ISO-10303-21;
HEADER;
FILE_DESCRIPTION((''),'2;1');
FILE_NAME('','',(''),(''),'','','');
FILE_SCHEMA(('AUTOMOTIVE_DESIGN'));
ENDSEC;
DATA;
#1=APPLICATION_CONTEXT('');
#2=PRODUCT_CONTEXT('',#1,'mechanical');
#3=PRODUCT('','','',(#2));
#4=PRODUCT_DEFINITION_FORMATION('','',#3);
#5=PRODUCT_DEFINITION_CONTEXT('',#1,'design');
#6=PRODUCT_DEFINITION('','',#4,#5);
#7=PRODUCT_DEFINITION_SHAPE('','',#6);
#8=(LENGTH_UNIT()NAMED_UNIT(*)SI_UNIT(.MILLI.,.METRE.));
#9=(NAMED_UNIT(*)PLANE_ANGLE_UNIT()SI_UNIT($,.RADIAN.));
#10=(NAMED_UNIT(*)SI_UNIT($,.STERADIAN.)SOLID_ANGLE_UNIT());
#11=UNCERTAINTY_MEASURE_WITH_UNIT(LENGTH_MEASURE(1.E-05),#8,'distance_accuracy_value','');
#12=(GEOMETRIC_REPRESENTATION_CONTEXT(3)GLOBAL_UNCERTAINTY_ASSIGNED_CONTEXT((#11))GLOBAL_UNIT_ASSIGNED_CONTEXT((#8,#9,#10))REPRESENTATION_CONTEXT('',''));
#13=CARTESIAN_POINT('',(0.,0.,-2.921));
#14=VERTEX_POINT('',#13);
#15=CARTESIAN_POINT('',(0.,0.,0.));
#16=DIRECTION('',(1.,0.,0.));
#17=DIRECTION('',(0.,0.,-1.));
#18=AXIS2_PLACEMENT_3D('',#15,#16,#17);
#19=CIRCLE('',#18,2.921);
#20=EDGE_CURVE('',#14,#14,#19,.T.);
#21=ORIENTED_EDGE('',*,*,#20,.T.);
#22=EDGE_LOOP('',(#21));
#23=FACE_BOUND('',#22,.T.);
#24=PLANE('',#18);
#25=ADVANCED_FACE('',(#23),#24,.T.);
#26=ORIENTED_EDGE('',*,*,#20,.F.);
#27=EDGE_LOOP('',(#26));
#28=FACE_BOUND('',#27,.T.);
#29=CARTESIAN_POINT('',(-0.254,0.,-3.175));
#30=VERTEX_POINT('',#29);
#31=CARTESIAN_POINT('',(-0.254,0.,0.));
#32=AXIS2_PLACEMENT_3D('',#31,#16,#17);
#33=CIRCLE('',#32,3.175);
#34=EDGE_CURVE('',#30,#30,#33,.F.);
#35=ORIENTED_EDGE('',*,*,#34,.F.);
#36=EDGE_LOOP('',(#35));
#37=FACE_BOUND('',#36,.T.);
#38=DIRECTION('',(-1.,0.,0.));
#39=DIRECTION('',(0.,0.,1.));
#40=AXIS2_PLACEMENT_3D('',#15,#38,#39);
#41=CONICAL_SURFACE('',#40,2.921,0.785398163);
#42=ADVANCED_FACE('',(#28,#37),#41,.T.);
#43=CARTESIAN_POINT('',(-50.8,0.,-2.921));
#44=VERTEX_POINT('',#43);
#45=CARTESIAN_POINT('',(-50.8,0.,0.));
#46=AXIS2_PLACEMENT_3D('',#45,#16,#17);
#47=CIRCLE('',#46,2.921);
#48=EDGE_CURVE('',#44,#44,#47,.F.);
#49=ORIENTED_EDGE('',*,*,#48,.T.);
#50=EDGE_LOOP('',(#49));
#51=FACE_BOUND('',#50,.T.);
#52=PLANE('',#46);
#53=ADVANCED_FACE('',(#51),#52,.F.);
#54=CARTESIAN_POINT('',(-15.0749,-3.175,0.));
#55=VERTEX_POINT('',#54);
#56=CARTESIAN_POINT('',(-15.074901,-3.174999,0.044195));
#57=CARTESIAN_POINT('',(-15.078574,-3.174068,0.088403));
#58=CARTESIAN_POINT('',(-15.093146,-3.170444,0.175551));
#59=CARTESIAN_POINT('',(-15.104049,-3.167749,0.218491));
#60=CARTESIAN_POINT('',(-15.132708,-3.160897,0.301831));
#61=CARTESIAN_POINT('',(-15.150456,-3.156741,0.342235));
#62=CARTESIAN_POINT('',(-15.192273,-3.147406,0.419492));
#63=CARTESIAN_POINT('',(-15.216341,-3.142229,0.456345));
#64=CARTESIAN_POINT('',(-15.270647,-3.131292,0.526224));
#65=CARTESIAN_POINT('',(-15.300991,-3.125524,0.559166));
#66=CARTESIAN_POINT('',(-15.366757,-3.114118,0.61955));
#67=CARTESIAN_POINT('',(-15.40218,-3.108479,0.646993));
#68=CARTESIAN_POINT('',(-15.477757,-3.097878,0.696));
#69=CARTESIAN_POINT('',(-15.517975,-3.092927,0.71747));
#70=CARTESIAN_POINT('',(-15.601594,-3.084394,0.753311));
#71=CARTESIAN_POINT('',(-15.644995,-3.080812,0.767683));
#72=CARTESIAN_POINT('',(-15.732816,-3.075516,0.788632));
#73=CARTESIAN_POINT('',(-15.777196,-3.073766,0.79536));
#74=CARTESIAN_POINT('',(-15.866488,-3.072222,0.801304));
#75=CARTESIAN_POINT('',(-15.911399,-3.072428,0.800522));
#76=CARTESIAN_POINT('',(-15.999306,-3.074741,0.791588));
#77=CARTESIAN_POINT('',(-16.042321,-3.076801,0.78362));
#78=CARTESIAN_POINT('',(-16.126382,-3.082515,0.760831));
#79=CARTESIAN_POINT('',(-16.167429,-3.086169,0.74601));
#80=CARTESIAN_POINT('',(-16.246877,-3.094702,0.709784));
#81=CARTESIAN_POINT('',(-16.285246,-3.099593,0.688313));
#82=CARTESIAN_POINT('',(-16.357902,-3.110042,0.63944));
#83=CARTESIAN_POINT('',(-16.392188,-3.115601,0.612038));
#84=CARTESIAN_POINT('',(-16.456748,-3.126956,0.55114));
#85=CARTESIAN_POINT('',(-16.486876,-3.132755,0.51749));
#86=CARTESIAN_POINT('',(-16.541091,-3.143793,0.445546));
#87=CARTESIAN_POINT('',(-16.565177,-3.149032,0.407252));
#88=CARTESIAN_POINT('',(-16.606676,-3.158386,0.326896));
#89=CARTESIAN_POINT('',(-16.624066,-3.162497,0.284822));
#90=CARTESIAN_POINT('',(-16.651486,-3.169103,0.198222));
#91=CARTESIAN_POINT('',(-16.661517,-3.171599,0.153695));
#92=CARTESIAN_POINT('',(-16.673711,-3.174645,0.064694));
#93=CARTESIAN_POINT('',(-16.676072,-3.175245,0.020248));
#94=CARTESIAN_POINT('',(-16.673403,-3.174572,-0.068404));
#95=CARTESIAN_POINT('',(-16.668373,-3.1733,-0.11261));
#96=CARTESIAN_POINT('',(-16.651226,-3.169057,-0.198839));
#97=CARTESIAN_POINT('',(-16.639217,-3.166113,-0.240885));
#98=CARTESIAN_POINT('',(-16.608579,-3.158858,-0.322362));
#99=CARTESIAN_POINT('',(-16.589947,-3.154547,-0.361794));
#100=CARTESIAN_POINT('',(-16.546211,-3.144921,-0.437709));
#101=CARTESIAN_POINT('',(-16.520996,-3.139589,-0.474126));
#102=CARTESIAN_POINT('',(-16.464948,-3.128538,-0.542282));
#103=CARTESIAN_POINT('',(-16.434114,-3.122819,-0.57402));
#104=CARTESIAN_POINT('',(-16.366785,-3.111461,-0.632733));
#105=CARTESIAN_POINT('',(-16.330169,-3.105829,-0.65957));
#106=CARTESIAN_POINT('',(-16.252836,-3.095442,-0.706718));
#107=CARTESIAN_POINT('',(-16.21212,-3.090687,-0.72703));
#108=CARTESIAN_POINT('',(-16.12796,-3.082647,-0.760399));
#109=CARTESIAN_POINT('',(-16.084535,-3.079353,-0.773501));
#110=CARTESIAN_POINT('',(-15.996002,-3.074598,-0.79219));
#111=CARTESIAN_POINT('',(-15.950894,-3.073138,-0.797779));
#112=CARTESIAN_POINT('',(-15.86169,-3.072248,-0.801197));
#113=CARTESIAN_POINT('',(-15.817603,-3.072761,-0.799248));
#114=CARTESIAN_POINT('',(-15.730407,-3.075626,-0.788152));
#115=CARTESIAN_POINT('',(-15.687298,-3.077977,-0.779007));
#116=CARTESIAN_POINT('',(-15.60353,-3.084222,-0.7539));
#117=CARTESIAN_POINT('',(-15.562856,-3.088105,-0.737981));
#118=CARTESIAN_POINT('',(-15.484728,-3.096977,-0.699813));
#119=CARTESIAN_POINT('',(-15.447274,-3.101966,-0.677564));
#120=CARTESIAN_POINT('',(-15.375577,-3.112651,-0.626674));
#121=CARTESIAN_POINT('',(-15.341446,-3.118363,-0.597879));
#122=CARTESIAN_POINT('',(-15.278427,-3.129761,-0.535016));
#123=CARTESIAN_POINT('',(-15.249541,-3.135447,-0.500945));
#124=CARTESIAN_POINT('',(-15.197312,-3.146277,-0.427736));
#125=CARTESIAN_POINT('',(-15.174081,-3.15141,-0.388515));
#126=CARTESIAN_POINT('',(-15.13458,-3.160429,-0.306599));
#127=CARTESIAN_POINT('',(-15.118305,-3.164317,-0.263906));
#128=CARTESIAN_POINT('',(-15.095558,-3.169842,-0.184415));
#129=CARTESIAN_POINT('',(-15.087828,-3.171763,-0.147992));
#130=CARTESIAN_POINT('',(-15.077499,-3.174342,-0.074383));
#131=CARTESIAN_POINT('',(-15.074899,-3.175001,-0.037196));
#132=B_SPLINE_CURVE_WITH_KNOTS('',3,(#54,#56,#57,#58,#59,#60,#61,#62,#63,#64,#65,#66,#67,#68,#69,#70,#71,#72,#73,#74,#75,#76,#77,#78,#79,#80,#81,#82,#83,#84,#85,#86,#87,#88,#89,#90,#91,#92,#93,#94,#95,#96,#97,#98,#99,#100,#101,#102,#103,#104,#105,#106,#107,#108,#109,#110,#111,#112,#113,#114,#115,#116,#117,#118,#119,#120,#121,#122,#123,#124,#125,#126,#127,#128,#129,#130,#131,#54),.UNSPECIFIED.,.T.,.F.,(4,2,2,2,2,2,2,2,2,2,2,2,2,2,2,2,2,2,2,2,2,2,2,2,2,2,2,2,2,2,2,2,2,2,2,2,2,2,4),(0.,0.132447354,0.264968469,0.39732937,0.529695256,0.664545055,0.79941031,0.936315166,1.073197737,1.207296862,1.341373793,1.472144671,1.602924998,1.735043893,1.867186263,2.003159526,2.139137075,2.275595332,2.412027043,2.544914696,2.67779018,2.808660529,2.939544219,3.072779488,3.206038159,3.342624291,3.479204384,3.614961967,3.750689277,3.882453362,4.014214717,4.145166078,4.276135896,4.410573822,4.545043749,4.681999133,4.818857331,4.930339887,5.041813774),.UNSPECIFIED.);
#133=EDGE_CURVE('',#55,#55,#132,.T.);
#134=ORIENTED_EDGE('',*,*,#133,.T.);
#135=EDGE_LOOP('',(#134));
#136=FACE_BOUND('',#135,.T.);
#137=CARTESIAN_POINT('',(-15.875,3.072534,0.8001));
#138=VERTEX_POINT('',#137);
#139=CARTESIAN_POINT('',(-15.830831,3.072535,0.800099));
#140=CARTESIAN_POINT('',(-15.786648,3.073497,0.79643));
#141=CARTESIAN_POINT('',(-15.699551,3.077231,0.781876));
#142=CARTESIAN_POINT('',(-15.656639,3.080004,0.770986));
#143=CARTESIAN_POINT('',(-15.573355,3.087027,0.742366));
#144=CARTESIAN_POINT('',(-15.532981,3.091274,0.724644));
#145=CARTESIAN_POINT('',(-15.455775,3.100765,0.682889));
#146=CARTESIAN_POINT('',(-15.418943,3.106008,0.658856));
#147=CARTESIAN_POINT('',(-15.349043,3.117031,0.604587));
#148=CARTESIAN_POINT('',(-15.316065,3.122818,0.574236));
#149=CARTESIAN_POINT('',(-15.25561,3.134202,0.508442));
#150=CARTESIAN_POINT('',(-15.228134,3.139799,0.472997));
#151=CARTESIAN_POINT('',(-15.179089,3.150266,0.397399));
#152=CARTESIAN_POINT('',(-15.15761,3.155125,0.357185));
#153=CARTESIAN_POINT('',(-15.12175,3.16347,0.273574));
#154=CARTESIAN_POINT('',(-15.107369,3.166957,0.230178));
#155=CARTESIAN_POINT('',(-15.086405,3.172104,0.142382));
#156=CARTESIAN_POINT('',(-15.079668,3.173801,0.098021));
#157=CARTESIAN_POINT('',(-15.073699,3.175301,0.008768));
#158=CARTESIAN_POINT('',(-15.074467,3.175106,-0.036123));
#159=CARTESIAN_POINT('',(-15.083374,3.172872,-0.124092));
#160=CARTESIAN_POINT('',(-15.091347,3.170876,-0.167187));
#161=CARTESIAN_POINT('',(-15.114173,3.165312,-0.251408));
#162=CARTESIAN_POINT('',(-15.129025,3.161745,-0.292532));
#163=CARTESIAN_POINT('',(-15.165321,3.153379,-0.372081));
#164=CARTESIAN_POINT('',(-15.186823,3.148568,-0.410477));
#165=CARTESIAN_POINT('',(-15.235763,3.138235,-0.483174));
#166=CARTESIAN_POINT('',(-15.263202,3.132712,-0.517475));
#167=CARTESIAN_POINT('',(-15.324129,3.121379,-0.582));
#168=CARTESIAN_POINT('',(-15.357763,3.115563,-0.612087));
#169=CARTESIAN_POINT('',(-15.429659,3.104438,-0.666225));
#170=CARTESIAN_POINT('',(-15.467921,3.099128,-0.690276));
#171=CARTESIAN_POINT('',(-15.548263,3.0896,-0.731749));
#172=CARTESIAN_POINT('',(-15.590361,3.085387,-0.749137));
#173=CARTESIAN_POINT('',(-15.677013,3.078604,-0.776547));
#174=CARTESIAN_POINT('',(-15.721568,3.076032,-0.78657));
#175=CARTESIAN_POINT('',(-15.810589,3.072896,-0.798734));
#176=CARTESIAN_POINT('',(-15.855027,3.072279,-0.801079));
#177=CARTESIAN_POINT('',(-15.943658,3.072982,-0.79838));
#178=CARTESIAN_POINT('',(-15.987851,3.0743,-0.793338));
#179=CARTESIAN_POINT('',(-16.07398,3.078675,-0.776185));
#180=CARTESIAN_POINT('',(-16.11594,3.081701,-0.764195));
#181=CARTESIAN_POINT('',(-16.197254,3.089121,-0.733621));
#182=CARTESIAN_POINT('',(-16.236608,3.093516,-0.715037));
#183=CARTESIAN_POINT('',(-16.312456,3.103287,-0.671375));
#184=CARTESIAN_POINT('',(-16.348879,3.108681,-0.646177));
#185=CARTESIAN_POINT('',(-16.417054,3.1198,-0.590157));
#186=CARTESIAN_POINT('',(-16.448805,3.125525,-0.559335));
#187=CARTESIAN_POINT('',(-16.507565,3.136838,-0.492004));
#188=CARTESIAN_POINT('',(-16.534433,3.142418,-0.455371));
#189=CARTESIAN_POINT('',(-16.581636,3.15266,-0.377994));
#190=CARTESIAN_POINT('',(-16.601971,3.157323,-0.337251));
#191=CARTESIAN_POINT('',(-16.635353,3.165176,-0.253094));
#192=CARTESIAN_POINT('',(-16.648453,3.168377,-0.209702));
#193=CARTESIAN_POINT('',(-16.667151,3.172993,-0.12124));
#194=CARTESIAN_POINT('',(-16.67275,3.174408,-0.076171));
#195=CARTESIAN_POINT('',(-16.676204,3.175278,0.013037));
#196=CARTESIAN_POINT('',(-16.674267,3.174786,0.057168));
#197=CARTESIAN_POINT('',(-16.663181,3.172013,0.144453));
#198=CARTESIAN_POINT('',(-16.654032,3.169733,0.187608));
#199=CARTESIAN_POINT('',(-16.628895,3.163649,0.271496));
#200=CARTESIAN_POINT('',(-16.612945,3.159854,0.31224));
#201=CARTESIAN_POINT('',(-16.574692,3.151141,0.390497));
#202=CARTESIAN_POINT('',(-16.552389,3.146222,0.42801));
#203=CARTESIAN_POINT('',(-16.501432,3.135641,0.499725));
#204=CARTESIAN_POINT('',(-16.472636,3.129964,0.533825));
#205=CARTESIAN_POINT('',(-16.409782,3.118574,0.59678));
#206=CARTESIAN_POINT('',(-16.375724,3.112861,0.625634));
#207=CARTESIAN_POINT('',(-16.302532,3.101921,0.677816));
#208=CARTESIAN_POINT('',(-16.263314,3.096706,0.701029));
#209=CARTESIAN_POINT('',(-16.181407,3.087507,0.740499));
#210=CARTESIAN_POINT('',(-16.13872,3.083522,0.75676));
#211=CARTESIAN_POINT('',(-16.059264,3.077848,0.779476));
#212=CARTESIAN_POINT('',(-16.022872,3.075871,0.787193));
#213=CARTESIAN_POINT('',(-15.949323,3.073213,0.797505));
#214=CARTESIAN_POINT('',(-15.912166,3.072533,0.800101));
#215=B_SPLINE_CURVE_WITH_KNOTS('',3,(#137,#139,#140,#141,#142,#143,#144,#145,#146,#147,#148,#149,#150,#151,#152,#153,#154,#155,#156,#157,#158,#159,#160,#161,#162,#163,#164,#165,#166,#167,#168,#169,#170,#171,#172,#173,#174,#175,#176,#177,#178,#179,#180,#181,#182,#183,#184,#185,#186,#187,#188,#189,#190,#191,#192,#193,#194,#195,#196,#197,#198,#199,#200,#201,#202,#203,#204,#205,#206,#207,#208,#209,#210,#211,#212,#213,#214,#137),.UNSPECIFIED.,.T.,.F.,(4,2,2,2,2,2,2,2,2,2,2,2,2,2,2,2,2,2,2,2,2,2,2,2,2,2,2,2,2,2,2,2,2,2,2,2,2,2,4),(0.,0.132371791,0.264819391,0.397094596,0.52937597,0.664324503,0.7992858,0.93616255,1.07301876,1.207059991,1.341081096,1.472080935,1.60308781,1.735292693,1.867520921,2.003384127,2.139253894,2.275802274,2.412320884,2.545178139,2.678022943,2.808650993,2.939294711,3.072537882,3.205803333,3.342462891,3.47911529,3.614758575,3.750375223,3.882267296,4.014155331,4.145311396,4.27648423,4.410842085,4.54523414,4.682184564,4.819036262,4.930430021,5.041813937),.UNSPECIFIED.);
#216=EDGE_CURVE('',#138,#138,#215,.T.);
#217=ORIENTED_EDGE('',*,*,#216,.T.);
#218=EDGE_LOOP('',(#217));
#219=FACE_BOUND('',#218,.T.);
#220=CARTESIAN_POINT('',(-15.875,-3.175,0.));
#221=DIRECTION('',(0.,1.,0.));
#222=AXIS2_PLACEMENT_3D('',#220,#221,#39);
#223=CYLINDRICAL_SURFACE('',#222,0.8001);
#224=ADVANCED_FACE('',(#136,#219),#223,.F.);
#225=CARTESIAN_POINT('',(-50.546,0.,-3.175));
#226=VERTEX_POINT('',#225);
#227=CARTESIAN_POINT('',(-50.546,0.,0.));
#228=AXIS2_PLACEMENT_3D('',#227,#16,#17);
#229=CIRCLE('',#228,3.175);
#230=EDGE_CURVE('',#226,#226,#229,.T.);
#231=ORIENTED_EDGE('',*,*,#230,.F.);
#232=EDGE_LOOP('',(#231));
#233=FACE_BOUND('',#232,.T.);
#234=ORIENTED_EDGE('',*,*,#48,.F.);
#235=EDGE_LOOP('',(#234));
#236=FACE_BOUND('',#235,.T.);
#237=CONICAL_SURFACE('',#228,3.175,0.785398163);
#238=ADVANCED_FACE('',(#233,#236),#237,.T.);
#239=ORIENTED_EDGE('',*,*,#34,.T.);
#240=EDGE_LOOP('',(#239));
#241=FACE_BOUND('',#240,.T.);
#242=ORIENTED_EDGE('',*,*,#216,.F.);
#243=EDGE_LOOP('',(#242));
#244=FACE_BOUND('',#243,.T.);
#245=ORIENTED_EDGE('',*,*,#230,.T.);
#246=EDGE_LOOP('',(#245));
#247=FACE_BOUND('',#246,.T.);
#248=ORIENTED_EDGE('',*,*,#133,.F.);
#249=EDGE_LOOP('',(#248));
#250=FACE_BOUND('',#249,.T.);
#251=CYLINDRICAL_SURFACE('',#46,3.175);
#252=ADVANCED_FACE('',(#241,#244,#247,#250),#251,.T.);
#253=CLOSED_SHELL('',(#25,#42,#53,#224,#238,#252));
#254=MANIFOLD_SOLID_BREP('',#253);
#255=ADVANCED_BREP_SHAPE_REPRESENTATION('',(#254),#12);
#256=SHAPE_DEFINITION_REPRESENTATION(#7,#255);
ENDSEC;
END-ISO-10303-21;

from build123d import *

# Parameters (mm, degrees)
SKETCH1_R               = 3.175
BOSS_EXTRUDE1_DEPTH     = 50.8
CHAMFER1_SIZE           = 0.254
SKETCH2_R               = 0.8001
CUT_EXTRUDE1_DEPTH      = 4.175
CUT_EXTRUDE1_DEPTH_BACK = 4.175


with BuildPart() as part:
    # Sketch1 → Boss-Extrude1 (new body)
    with BuildSketch(Plane(origin=(0, 0, 0), x_dir=(0, 0, -1), z_dir=(1, 0, 0))):
        Circle(SKETCH1_R)
    extrude(amount=-BOSS_EXTRUDE1_DEPTH)

    # Chamfer1
    chamfer1_edges = [part.edges().sort_by_distance(p)[0] for p in [
        (0, 0, 3.175),
        (-50.8, 0, 3.175),
    ]]
    chamfer(chamfer1_edges, length=CHAMFER1_SIZE)

    # Sketch2 → Cut-Extrude1 (cut, two sides)
    with BuildSketch(Plane(origin=(0, 0, 0), x_dir=(1, 0, 0), z_dir=(0, 1, 0))) as cut_extrude1_sk:
        with Locations((-15.875, 0)):
            Circle(SKETCH2_R)
    extrude(amount=CUT_EXTRUDE1_DEPTH, mode=Mode.SUBTRACT)
    extrude(cut_extrude1_sk.sketch, amount=-CUT_EXTRUDE1_DEPTH_BACK, mode=Mode.SUBTRACT)


solid = part.part
